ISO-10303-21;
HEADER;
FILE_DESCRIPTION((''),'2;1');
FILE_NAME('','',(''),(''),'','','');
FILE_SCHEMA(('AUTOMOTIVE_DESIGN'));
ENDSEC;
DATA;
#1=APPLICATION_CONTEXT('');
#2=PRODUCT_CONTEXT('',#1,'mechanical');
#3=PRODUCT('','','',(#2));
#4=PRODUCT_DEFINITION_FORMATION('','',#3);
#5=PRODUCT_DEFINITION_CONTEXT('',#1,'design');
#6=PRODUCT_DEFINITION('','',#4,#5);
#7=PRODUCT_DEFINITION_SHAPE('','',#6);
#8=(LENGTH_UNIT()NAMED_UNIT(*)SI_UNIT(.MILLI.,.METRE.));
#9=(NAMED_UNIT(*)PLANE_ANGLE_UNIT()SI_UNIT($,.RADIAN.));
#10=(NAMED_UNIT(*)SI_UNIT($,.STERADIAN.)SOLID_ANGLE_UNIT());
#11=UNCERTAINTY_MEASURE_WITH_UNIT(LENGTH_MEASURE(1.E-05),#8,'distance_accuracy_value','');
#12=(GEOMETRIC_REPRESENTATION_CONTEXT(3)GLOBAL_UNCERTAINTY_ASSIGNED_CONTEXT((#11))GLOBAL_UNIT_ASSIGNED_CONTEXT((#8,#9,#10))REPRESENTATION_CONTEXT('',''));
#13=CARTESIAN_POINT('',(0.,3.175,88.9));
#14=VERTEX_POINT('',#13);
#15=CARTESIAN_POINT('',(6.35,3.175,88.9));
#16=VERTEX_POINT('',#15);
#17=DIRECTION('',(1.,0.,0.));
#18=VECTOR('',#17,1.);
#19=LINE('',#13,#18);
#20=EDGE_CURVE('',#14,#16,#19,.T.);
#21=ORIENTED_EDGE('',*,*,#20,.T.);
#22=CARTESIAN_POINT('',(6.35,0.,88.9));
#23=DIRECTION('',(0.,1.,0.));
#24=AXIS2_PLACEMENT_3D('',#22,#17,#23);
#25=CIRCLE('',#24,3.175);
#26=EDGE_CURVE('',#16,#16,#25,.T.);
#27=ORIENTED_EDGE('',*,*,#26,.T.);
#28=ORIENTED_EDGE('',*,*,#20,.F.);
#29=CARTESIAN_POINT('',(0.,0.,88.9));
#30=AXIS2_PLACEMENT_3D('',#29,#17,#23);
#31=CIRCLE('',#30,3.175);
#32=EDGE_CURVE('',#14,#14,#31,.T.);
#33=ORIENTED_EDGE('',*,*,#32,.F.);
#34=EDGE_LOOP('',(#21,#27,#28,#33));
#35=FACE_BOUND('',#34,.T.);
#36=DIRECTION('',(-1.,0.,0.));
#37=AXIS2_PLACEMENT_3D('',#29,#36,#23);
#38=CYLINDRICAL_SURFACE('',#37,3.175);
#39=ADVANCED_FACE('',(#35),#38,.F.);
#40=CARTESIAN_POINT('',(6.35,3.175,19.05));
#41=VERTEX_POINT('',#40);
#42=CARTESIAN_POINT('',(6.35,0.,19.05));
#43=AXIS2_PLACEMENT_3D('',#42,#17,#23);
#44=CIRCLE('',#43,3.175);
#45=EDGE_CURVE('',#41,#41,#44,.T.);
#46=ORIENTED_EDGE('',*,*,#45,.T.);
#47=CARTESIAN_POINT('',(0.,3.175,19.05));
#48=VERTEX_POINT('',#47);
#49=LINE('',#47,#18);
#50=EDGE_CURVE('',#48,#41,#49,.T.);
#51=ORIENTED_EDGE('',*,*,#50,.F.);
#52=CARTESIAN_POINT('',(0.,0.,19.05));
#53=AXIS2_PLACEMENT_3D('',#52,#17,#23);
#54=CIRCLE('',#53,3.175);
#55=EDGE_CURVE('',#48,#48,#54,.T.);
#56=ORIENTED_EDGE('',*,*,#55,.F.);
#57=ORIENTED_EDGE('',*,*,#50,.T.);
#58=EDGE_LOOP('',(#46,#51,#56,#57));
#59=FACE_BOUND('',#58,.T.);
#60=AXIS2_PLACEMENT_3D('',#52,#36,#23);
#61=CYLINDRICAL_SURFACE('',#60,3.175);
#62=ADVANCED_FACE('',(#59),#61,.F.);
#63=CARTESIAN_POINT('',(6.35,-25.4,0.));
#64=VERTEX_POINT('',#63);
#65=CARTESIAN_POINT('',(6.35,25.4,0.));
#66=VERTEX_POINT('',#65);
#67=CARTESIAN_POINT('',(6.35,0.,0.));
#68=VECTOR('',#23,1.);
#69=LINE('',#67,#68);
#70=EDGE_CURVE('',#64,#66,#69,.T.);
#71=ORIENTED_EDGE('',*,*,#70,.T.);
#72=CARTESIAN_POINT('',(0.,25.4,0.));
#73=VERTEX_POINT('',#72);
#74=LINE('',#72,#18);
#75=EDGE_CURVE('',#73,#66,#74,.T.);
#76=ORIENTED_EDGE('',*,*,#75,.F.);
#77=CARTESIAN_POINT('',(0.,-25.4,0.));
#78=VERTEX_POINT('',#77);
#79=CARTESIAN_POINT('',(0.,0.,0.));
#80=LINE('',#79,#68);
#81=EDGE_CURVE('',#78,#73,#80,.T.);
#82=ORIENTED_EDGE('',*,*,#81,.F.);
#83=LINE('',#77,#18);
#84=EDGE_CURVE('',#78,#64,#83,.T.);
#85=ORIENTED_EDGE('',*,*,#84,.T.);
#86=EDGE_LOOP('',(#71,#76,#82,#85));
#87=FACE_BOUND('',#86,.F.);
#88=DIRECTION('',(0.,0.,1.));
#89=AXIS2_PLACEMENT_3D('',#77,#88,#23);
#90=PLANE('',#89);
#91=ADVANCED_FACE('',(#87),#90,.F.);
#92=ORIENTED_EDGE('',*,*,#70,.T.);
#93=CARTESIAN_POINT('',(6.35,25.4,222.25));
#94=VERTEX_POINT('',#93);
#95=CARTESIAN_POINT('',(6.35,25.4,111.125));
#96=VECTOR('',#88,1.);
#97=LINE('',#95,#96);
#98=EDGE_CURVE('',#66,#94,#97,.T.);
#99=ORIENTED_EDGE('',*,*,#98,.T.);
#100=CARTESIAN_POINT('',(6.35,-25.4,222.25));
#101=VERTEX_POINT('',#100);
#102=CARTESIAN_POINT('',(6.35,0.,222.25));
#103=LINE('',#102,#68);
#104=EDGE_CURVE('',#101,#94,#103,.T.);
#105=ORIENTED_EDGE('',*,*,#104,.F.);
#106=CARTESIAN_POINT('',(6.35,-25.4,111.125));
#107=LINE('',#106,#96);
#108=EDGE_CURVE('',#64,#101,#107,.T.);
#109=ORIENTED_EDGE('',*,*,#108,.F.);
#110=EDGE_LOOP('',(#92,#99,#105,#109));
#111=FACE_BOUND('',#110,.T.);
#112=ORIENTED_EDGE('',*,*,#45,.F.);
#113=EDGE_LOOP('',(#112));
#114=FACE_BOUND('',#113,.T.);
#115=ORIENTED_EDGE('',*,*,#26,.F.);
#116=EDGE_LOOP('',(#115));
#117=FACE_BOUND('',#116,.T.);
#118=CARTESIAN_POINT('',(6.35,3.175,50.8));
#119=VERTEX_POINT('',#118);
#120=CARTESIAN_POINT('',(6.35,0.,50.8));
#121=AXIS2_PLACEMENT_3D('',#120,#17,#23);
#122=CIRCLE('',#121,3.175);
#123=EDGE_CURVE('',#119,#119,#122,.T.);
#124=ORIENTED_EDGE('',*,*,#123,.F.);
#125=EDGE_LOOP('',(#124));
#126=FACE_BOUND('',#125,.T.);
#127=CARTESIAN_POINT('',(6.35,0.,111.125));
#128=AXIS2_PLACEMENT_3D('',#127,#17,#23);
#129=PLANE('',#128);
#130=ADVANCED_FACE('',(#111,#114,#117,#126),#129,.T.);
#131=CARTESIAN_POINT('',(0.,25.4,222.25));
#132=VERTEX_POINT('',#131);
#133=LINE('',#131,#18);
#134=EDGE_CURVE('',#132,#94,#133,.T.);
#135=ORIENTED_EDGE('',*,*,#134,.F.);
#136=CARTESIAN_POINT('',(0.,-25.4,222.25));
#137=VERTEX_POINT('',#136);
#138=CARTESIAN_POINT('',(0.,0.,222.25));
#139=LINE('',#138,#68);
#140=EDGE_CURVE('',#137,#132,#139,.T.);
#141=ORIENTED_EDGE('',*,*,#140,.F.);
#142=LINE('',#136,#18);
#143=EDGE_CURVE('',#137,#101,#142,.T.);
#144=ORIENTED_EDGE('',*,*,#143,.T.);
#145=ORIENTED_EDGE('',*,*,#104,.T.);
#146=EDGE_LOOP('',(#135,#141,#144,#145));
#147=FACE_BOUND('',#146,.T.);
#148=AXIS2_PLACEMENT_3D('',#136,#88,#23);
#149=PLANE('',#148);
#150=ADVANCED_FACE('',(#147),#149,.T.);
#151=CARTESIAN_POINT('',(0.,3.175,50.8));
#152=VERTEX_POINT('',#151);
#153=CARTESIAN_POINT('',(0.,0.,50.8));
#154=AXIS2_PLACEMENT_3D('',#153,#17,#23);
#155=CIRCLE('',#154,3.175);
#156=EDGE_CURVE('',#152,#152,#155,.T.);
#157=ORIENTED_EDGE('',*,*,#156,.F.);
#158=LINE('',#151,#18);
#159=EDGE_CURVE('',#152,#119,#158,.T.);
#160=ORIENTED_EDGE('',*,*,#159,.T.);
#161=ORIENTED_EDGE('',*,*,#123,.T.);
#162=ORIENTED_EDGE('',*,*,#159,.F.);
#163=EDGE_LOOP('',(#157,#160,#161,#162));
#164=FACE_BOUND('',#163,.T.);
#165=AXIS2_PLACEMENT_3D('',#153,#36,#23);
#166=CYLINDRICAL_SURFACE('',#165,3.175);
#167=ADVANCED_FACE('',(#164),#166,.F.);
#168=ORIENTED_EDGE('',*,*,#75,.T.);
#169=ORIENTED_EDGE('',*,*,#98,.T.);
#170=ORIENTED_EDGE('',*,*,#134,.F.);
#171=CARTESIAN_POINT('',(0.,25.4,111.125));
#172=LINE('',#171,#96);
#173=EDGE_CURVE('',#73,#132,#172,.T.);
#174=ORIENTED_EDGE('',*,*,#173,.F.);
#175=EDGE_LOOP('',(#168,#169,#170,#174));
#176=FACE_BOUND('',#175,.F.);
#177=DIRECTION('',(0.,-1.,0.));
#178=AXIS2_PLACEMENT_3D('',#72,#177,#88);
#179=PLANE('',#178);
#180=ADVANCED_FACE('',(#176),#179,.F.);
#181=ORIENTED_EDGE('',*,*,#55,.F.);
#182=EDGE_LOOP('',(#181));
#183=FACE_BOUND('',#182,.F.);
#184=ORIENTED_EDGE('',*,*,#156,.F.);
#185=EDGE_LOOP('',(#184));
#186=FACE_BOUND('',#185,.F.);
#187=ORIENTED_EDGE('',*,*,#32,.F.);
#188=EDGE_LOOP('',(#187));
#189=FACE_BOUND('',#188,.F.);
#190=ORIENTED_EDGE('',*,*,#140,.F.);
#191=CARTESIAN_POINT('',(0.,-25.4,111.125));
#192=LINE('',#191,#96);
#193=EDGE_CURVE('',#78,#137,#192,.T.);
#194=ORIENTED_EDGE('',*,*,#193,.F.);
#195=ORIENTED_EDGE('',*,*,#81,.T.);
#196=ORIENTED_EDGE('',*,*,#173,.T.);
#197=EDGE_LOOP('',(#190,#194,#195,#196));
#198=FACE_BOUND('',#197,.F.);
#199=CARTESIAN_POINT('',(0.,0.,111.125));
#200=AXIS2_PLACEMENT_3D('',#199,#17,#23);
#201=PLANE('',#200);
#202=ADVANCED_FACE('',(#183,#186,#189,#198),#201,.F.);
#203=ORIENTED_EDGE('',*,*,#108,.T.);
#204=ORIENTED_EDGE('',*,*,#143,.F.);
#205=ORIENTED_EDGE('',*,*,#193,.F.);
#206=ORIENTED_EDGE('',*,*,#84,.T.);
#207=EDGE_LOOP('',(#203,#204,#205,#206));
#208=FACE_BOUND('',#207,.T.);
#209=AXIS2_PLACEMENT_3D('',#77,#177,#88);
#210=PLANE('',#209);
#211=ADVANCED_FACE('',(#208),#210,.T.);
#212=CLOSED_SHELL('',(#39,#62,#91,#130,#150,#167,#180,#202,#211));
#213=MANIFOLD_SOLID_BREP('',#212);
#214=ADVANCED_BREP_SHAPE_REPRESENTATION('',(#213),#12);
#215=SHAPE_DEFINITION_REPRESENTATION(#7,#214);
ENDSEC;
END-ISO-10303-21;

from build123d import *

# Parameters (mm, degrees)
F0_W     = 50.8
F0_H     = 222.25
F0_R     = 3.175
F1_DEPTH = 6.35


with BuildPart() as f1:
    # F0 (on Right) → F1 (new body)
    with BuildSketch(Plane.YZ):
        with Locations((0, 111.125)):
            Rectangle(F0_W, F0_H)
        with Locations((0, 19.05)):
            Circle(F0_R, mode=Mode.SUBTRACT)
        with Locations((0, 50.8)):
            Circle(F0_R, mode=Mode.SUBTRACT)
        with Locations((0, 88.9)):
            Circle(F0_R, mode=Mode.SUBTRACT)
    extrude(amount=F1_DEPTH)


solid = f1.part
